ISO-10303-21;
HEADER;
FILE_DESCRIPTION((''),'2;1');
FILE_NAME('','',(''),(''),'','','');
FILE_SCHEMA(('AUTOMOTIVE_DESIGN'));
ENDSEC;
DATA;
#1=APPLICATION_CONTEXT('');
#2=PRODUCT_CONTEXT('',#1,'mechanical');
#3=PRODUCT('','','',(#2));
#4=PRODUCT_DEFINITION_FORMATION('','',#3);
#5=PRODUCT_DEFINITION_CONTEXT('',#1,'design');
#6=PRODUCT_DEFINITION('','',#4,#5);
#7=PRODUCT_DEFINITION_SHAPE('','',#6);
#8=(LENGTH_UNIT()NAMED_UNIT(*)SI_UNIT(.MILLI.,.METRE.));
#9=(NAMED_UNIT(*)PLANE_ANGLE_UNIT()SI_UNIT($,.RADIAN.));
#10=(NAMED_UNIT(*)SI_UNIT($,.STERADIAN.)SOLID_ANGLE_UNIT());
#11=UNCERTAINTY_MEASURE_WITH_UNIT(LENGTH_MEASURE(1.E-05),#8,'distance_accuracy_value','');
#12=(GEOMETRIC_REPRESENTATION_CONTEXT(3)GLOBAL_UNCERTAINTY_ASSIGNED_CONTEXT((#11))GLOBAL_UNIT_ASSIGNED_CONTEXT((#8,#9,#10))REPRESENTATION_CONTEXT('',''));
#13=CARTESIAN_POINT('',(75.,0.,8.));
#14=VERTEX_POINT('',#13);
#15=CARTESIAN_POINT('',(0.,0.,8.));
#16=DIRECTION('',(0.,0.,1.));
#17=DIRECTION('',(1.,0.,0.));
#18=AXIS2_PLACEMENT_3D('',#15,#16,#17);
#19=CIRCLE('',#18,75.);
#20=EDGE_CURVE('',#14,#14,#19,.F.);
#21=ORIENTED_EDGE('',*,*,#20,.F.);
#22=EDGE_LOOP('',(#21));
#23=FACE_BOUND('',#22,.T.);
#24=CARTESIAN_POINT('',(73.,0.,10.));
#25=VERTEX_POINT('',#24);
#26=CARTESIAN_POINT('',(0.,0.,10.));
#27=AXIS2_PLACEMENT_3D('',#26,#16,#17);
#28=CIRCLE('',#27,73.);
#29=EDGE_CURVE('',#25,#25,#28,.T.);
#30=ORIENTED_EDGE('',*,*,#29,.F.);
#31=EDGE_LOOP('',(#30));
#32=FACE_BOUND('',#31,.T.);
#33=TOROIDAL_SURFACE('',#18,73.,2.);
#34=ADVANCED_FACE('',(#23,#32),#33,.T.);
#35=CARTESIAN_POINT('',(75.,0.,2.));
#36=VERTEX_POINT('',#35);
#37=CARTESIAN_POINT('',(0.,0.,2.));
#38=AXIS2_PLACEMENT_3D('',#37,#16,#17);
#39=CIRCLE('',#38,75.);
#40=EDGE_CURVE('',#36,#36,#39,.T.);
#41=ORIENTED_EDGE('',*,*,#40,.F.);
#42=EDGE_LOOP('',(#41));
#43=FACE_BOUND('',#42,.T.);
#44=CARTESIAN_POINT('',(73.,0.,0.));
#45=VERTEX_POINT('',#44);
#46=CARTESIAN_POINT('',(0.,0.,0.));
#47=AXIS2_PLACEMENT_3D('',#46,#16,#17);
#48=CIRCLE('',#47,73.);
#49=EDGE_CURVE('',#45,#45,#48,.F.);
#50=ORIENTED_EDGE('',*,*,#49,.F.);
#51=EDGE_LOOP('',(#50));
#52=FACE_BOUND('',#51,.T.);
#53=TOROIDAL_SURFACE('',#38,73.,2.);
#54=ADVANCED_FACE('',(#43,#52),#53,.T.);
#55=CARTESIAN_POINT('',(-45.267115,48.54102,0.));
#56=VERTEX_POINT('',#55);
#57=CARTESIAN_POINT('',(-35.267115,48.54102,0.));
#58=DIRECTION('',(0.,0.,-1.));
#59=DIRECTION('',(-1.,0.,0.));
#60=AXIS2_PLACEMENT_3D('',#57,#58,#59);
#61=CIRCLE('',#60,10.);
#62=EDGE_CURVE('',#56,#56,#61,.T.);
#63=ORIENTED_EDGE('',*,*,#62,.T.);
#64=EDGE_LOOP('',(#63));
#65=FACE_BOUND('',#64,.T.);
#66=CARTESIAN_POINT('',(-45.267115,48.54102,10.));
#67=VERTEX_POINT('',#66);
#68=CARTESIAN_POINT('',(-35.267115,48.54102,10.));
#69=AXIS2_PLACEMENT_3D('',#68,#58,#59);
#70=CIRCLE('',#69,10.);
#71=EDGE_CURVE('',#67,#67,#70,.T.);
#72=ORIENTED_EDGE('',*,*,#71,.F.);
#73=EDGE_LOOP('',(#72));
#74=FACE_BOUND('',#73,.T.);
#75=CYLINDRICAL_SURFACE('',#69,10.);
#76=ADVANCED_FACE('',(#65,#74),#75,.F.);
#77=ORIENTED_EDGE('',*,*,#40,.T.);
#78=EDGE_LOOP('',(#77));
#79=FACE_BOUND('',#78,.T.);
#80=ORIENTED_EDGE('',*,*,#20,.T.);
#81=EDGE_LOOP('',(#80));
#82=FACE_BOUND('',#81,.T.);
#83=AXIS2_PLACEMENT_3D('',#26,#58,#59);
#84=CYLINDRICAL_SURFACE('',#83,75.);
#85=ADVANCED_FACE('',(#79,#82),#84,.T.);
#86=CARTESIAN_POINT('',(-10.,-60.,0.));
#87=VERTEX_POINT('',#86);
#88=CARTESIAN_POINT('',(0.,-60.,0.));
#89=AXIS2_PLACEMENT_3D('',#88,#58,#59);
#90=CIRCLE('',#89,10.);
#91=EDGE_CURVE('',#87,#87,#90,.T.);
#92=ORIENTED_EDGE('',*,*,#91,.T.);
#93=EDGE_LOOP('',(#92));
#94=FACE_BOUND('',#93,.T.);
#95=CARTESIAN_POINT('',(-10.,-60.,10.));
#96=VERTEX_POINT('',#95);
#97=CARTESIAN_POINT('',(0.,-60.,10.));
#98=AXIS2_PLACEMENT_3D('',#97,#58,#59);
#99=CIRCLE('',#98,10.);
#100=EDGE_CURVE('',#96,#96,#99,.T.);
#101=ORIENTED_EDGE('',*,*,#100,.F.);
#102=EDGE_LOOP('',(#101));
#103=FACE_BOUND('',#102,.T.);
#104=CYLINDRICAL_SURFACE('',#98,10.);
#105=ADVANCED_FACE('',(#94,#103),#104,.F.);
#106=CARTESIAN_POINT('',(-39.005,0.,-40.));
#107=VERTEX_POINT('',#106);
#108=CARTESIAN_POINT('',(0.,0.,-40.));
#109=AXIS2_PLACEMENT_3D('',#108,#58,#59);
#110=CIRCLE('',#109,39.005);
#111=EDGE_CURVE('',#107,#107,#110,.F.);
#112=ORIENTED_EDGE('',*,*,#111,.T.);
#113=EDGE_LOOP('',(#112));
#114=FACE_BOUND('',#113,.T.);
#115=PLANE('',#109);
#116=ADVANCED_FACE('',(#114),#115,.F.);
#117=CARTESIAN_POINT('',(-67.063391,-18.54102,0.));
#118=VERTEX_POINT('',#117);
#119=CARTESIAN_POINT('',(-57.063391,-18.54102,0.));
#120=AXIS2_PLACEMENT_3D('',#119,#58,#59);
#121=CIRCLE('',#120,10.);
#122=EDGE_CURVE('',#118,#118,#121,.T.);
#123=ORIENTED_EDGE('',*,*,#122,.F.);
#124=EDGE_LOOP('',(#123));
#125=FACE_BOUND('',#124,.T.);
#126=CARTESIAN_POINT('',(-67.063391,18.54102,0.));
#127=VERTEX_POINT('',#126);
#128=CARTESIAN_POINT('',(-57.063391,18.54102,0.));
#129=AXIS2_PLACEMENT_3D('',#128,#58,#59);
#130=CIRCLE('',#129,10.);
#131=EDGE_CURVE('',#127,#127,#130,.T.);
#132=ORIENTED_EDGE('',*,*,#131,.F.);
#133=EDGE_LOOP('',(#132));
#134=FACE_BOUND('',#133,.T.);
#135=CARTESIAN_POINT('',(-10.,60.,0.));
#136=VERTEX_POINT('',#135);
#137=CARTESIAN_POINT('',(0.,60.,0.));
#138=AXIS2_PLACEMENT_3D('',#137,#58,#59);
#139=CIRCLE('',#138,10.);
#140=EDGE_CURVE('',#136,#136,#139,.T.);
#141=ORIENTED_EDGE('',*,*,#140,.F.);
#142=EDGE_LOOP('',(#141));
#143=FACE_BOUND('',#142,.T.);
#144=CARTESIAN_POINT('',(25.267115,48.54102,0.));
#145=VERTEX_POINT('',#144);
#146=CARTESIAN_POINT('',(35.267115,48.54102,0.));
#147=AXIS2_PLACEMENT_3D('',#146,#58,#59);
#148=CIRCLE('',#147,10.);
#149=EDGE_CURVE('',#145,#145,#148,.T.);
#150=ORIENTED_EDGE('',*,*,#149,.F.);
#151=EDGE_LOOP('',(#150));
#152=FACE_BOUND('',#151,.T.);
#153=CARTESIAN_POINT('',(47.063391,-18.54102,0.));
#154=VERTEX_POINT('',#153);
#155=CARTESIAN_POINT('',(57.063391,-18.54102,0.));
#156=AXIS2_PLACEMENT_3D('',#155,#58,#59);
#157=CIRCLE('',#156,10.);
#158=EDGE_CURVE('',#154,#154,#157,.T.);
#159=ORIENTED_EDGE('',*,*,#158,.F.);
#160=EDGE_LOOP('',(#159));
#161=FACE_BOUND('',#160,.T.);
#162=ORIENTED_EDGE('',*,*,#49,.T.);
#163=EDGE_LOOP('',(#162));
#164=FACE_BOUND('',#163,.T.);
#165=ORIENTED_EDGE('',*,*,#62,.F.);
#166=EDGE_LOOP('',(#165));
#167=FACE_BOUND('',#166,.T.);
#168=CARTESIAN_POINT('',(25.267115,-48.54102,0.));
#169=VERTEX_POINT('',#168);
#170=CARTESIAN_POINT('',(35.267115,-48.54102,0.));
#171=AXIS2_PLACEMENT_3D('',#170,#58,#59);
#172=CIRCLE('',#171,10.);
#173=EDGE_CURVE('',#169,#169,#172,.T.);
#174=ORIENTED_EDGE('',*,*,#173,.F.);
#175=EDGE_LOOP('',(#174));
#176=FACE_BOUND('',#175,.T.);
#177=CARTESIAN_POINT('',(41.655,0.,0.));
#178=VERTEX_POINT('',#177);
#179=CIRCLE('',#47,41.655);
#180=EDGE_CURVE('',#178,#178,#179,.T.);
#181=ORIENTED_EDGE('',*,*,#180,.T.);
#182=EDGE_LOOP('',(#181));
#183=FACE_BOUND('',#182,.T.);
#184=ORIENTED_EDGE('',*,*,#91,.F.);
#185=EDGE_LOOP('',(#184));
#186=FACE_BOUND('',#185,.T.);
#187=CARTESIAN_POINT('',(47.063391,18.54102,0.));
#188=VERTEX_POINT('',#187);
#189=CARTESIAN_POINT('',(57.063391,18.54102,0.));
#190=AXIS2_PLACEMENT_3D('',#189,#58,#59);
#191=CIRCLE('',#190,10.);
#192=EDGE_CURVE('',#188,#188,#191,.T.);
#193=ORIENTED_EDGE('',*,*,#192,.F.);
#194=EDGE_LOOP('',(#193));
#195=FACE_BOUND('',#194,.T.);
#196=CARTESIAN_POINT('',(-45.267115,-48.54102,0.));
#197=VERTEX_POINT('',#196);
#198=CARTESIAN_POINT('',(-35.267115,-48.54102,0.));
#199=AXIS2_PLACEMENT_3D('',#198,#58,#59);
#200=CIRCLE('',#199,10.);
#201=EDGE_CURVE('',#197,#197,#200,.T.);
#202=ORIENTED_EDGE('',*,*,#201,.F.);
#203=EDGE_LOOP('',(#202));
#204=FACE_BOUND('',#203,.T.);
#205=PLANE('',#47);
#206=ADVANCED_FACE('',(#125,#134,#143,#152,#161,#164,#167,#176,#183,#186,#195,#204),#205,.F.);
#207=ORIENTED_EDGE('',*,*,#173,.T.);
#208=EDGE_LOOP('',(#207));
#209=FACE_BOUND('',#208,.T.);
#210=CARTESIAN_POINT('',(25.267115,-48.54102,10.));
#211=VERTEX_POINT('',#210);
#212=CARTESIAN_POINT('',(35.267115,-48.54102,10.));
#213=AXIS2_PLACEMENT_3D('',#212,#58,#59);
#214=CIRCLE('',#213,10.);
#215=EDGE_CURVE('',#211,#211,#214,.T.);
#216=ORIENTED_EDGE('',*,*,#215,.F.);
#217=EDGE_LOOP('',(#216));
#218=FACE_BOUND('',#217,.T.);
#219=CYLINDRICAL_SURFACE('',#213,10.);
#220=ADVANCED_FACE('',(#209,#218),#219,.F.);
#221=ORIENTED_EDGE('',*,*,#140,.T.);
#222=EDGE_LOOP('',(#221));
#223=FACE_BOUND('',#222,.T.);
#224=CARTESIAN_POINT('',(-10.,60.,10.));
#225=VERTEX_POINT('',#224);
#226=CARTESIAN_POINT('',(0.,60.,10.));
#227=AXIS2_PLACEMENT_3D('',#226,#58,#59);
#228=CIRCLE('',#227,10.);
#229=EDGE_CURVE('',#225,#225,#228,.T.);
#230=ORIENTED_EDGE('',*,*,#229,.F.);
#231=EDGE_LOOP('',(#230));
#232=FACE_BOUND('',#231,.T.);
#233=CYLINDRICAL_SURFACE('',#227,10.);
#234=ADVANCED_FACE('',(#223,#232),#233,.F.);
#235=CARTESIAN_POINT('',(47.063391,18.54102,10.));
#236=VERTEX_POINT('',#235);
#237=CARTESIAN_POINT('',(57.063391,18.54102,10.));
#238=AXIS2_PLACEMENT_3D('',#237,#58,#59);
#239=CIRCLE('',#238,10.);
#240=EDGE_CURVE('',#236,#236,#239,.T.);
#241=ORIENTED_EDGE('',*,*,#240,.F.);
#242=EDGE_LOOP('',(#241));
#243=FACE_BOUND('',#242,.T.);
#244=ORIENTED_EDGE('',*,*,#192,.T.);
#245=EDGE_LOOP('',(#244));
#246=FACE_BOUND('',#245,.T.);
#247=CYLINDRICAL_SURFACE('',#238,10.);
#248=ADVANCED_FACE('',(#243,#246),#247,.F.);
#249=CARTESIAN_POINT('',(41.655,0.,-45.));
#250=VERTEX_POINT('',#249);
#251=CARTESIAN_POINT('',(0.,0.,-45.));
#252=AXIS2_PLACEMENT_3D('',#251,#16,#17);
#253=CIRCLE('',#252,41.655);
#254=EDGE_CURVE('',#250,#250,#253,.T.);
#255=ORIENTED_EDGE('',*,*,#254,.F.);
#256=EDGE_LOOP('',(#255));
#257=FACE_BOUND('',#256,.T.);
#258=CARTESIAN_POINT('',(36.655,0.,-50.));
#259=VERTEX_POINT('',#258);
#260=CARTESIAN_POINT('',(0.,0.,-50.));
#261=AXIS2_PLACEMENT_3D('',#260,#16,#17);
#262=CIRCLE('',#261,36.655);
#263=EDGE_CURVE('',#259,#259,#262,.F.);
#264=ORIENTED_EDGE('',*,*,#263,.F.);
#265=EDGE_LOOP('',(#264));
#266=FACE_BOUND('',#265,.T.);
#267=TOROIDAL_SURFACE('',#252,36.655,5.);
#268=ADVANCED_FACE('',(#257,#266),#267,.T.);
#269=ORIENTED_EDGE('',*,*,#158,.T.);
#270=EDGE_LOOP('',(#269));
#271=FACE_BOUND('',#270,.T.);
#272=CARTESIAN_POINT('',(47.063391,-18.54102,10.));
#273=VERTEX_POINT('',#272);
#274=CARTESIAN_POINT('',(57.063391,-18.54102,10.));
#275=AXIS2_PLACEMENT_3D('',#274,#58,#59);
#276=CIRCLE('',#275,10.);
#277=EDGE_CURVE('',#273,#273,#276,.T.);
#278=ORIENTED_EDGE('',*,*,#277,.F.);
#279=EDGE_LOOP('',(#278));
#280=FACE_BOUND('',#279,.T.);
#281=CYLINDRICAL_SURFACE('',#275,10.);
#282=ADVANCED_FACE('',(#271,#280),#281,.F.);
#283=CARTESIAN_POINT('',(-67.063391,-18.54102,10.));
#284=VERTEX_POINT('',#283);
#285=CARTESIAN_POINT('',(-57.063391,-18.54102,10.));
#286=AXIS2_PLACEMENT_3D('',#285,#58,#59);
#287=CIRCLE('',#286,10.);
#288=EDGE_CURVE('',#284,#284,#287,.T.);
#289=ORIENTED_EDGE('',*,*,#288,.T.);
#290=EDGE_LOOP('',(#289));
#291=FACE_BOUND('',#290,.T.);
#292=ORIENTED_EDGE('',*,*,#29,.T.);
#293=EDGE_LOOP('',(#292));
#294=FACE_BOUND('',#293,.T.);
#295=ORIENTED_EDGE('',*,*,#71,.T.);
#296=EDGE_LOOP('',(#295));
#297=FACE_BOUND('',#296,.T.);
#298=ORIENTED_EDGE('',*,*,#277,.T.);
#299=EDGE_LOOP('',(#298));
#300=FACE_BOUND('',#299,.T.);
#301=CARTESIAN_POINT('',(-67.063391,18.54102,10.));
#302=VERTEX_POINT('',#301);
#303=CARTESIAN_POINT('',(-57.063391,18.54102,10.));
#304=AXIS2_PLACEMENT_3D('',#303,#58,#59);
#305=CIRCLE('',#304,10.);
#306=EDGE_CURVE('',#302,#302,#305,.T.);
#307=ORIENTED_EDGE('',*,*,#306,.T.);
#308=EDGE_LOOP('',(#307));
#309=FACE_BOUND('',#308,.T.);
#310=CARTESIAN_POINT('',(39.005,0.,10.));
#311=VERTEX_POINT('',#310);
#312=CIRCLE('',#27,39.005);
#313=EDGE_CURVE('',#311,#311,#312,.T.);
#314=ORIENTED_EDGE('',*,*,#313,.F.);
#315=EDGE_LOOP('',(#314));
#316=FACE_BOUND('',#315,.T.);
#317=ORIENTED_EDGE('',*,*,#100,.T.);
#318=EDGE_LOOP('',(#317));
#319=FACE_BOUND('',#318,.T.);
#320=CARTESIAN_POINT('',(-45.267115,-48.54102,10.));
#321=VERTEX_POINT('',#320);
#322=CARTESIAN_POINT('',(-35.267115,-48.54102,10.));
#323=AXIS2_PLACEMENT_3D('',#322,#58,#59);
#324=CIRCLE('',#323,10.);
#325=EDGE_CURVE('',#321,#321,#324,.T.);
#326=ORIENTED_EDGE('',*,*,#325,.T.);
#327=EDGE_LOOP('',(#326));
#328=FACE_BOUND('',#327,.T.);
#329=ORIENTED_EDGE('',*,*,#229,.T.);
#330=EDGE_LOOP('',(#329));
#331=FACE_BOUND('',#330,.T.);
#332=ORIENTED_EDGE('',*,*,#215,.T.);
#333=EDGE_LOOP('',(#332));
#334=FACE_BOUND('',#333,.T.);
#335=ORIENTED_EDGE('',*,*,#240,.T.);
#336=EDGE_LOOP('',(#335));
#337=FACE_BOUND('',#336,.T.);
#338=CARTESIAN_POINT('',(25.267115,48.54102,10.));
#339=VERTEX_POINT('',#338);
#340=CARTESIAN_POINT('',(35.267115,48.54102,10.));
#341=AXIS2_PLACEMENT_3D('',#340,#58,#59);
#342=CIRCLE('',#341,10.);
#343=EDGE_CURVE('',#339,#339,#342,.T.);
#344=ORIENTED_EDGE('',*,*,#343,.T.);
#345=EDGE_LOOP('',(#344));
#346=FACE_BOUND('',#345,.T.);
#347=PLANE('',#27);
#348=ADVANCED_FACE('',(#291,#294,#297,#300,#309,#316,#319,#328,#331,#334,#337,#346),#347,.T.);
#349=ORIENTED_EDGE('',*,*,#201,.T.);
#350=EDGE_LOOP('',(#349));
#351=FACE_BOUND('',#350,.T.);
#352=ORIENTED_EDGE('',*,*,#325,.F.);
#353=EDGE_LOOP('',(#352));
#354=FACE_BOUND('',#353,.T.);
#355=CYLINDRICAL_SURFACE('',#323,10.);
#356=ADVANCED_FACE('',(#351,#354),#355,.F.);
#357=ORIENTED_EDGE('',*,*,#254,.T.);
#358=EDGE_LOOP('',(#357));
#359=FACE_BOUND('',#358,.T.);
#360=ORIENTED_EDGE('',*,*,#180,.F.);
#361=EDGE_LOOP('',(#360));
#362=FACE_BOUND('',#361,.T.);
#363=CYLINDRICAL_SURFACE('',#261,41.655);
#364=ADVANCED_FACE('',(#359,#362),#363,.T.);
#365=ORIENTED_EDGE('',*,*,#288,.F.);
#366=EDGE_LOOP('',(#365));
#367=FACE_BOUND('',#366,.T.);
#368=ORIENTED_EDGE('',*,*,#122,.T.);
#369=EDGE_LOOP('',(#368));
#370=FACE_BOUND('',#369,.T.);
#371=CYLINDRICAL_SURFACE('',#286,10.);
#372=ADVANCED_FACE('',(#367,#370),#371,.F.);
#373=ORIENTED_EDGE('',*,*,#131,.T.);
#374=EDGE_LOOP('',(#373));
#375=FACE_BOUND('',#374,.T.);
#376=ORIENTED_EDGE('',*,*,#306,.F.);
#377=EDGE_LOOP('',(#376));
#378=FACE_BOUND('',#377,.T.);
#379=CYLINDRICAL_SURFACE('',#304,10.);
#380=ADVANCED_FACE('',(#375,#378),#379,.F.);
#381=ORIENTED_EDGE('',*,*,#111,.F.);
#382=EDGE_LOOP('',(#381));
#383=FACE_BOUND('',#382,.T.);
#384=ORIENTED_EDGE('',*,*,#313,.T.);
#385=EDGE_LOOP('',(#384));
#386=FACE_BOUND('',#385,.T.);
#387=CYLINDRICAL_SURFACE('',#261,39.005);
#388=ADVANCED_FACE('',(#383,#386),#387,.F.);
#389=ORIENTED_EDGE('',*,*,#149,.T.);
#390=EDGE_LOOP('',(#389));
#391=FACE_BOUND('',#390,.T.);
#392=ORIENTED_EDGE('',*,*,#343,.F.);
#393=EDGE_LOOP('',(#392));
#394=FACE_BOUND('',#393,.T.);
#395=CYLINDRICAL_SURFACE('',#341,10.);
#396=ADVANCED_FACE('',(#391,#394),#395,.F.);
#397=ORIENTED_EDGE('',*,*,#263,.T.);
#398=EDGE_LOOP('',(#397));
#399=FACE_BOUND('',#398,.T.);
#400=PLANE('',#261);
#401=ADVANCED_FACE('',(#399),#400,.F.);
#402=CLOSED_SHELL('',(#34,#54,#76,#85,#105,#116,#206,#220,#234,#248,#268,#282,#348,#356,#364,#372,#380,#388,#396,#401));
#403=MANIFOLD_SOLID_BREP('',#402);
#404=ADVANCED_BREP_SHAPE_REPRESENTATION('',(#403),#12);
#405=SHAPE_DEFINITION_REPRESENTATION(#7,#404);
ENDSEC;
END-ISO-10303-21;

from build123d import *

# Parameters (mm, degrees)
SKETCH2_R           = 75
SKETCH2_R_2         = 40
EXTRUDE_THIN1_DEPTH = 10
SKETCH3_R           = 41.655
SKETCH3_R_2         = 39.005
EXTRUDE_THIN2_DEPTH = 60
SKETCH4_R           = 39.005
BOSS_EXTRUDE1_DEPTH = 10
SKETCH5_R           = 10
CUT_EXTRUDE1_DEPTH  = 11
FILLET1_R           = 5
FILLET2_R           = 2


with BuildPart() as part:
    # Sketch2 → Extrude-Thin1 (new body)
    with BuildSketch(Plane.XY):
        Circle(SKETCH2_R)
        Circle(SKETCH2_R_2, mode=Mode.SUBTRACT)
    extrude(amount=EXTRUDE_THIN1_DEPTH)

    # Sketch3 → Extrude-Thin2 (add)
    with BuildSketch(Plane.XY.offset(10)):
        Circle(SKETCH3_R)
        Circle(SKETCH3_R_2, mode=Mode.SUBTRACT)
    extrude(amount=-EXTRUDE_THIN2_DEPTH)

    # Sketch4 → Boss-Extrude1 (add)
    with BuildSketch(Plane(origin=(0, 0, -50), x_dir=(-1, 0, 0), z_dir=(0, 0, -1))):
        Circle(SKETCH4_R)
    extrude(amount=-BOSS_EXTRUDE1_DEPTH)

    # Sketch5 → Cut-Extrude1 (cut, through all)
    with BuildSketch(Plane(origin=(0, 0, 0), x_dir=(-1, 0, 0), z_dir=(0, 0, -1))):
        with Locations((0, 60)):
            Circle(SKETCH5_R)
        with Locations((35.267115138, 48.541019662)):
            Circle(SKETCH5_R)
        with Locations((57.063390978, 18.541019662)):
            Circle(SKETCH5_R)
        with Locations((57.063390978, -18.541019662)):
            Circle(SKETCH5_R)
        with Locations((35.267115138, -48.541019662)):
            Circle(SKETCH5_R)
        with Locations((0, -60)):
            Circle(SKETCH5_R)
        with Locations((-35.267115138, -48.541019662)):
            Circle(SKETCH5_R)
        with Locations((-57.063390978, -18.541019662)):
            Circle(SKETCH5_R)
        with Locations((-57.063390978, 18.541019662)):
            Circle(SKETCH5_R)
        with Locations((-35.267115138, 48.541019662)):
            Circle(SKETCH5_R)
    extrude(amount=-CUT_EXTRUDE1_DEPTH, mode=Mode.SUBTRACT)

    # Fillet1
    fillet1_edges = [part.edges().sort_by_distance(p)[0] for p in [
        (-41.655, 0, -50),
    ]]
    fillet(fillet1_edges, radius=FILLET1_R)

    # Fillet2
    fillet2_edges = [part.edges().sort_by_distance(p)[0] for p in [
        (-75, 0, 0),
        (-75, 0, 10),
    ]]
    fillet(fillet2_edges, radius=FILLET2_R)


solid = part.part
